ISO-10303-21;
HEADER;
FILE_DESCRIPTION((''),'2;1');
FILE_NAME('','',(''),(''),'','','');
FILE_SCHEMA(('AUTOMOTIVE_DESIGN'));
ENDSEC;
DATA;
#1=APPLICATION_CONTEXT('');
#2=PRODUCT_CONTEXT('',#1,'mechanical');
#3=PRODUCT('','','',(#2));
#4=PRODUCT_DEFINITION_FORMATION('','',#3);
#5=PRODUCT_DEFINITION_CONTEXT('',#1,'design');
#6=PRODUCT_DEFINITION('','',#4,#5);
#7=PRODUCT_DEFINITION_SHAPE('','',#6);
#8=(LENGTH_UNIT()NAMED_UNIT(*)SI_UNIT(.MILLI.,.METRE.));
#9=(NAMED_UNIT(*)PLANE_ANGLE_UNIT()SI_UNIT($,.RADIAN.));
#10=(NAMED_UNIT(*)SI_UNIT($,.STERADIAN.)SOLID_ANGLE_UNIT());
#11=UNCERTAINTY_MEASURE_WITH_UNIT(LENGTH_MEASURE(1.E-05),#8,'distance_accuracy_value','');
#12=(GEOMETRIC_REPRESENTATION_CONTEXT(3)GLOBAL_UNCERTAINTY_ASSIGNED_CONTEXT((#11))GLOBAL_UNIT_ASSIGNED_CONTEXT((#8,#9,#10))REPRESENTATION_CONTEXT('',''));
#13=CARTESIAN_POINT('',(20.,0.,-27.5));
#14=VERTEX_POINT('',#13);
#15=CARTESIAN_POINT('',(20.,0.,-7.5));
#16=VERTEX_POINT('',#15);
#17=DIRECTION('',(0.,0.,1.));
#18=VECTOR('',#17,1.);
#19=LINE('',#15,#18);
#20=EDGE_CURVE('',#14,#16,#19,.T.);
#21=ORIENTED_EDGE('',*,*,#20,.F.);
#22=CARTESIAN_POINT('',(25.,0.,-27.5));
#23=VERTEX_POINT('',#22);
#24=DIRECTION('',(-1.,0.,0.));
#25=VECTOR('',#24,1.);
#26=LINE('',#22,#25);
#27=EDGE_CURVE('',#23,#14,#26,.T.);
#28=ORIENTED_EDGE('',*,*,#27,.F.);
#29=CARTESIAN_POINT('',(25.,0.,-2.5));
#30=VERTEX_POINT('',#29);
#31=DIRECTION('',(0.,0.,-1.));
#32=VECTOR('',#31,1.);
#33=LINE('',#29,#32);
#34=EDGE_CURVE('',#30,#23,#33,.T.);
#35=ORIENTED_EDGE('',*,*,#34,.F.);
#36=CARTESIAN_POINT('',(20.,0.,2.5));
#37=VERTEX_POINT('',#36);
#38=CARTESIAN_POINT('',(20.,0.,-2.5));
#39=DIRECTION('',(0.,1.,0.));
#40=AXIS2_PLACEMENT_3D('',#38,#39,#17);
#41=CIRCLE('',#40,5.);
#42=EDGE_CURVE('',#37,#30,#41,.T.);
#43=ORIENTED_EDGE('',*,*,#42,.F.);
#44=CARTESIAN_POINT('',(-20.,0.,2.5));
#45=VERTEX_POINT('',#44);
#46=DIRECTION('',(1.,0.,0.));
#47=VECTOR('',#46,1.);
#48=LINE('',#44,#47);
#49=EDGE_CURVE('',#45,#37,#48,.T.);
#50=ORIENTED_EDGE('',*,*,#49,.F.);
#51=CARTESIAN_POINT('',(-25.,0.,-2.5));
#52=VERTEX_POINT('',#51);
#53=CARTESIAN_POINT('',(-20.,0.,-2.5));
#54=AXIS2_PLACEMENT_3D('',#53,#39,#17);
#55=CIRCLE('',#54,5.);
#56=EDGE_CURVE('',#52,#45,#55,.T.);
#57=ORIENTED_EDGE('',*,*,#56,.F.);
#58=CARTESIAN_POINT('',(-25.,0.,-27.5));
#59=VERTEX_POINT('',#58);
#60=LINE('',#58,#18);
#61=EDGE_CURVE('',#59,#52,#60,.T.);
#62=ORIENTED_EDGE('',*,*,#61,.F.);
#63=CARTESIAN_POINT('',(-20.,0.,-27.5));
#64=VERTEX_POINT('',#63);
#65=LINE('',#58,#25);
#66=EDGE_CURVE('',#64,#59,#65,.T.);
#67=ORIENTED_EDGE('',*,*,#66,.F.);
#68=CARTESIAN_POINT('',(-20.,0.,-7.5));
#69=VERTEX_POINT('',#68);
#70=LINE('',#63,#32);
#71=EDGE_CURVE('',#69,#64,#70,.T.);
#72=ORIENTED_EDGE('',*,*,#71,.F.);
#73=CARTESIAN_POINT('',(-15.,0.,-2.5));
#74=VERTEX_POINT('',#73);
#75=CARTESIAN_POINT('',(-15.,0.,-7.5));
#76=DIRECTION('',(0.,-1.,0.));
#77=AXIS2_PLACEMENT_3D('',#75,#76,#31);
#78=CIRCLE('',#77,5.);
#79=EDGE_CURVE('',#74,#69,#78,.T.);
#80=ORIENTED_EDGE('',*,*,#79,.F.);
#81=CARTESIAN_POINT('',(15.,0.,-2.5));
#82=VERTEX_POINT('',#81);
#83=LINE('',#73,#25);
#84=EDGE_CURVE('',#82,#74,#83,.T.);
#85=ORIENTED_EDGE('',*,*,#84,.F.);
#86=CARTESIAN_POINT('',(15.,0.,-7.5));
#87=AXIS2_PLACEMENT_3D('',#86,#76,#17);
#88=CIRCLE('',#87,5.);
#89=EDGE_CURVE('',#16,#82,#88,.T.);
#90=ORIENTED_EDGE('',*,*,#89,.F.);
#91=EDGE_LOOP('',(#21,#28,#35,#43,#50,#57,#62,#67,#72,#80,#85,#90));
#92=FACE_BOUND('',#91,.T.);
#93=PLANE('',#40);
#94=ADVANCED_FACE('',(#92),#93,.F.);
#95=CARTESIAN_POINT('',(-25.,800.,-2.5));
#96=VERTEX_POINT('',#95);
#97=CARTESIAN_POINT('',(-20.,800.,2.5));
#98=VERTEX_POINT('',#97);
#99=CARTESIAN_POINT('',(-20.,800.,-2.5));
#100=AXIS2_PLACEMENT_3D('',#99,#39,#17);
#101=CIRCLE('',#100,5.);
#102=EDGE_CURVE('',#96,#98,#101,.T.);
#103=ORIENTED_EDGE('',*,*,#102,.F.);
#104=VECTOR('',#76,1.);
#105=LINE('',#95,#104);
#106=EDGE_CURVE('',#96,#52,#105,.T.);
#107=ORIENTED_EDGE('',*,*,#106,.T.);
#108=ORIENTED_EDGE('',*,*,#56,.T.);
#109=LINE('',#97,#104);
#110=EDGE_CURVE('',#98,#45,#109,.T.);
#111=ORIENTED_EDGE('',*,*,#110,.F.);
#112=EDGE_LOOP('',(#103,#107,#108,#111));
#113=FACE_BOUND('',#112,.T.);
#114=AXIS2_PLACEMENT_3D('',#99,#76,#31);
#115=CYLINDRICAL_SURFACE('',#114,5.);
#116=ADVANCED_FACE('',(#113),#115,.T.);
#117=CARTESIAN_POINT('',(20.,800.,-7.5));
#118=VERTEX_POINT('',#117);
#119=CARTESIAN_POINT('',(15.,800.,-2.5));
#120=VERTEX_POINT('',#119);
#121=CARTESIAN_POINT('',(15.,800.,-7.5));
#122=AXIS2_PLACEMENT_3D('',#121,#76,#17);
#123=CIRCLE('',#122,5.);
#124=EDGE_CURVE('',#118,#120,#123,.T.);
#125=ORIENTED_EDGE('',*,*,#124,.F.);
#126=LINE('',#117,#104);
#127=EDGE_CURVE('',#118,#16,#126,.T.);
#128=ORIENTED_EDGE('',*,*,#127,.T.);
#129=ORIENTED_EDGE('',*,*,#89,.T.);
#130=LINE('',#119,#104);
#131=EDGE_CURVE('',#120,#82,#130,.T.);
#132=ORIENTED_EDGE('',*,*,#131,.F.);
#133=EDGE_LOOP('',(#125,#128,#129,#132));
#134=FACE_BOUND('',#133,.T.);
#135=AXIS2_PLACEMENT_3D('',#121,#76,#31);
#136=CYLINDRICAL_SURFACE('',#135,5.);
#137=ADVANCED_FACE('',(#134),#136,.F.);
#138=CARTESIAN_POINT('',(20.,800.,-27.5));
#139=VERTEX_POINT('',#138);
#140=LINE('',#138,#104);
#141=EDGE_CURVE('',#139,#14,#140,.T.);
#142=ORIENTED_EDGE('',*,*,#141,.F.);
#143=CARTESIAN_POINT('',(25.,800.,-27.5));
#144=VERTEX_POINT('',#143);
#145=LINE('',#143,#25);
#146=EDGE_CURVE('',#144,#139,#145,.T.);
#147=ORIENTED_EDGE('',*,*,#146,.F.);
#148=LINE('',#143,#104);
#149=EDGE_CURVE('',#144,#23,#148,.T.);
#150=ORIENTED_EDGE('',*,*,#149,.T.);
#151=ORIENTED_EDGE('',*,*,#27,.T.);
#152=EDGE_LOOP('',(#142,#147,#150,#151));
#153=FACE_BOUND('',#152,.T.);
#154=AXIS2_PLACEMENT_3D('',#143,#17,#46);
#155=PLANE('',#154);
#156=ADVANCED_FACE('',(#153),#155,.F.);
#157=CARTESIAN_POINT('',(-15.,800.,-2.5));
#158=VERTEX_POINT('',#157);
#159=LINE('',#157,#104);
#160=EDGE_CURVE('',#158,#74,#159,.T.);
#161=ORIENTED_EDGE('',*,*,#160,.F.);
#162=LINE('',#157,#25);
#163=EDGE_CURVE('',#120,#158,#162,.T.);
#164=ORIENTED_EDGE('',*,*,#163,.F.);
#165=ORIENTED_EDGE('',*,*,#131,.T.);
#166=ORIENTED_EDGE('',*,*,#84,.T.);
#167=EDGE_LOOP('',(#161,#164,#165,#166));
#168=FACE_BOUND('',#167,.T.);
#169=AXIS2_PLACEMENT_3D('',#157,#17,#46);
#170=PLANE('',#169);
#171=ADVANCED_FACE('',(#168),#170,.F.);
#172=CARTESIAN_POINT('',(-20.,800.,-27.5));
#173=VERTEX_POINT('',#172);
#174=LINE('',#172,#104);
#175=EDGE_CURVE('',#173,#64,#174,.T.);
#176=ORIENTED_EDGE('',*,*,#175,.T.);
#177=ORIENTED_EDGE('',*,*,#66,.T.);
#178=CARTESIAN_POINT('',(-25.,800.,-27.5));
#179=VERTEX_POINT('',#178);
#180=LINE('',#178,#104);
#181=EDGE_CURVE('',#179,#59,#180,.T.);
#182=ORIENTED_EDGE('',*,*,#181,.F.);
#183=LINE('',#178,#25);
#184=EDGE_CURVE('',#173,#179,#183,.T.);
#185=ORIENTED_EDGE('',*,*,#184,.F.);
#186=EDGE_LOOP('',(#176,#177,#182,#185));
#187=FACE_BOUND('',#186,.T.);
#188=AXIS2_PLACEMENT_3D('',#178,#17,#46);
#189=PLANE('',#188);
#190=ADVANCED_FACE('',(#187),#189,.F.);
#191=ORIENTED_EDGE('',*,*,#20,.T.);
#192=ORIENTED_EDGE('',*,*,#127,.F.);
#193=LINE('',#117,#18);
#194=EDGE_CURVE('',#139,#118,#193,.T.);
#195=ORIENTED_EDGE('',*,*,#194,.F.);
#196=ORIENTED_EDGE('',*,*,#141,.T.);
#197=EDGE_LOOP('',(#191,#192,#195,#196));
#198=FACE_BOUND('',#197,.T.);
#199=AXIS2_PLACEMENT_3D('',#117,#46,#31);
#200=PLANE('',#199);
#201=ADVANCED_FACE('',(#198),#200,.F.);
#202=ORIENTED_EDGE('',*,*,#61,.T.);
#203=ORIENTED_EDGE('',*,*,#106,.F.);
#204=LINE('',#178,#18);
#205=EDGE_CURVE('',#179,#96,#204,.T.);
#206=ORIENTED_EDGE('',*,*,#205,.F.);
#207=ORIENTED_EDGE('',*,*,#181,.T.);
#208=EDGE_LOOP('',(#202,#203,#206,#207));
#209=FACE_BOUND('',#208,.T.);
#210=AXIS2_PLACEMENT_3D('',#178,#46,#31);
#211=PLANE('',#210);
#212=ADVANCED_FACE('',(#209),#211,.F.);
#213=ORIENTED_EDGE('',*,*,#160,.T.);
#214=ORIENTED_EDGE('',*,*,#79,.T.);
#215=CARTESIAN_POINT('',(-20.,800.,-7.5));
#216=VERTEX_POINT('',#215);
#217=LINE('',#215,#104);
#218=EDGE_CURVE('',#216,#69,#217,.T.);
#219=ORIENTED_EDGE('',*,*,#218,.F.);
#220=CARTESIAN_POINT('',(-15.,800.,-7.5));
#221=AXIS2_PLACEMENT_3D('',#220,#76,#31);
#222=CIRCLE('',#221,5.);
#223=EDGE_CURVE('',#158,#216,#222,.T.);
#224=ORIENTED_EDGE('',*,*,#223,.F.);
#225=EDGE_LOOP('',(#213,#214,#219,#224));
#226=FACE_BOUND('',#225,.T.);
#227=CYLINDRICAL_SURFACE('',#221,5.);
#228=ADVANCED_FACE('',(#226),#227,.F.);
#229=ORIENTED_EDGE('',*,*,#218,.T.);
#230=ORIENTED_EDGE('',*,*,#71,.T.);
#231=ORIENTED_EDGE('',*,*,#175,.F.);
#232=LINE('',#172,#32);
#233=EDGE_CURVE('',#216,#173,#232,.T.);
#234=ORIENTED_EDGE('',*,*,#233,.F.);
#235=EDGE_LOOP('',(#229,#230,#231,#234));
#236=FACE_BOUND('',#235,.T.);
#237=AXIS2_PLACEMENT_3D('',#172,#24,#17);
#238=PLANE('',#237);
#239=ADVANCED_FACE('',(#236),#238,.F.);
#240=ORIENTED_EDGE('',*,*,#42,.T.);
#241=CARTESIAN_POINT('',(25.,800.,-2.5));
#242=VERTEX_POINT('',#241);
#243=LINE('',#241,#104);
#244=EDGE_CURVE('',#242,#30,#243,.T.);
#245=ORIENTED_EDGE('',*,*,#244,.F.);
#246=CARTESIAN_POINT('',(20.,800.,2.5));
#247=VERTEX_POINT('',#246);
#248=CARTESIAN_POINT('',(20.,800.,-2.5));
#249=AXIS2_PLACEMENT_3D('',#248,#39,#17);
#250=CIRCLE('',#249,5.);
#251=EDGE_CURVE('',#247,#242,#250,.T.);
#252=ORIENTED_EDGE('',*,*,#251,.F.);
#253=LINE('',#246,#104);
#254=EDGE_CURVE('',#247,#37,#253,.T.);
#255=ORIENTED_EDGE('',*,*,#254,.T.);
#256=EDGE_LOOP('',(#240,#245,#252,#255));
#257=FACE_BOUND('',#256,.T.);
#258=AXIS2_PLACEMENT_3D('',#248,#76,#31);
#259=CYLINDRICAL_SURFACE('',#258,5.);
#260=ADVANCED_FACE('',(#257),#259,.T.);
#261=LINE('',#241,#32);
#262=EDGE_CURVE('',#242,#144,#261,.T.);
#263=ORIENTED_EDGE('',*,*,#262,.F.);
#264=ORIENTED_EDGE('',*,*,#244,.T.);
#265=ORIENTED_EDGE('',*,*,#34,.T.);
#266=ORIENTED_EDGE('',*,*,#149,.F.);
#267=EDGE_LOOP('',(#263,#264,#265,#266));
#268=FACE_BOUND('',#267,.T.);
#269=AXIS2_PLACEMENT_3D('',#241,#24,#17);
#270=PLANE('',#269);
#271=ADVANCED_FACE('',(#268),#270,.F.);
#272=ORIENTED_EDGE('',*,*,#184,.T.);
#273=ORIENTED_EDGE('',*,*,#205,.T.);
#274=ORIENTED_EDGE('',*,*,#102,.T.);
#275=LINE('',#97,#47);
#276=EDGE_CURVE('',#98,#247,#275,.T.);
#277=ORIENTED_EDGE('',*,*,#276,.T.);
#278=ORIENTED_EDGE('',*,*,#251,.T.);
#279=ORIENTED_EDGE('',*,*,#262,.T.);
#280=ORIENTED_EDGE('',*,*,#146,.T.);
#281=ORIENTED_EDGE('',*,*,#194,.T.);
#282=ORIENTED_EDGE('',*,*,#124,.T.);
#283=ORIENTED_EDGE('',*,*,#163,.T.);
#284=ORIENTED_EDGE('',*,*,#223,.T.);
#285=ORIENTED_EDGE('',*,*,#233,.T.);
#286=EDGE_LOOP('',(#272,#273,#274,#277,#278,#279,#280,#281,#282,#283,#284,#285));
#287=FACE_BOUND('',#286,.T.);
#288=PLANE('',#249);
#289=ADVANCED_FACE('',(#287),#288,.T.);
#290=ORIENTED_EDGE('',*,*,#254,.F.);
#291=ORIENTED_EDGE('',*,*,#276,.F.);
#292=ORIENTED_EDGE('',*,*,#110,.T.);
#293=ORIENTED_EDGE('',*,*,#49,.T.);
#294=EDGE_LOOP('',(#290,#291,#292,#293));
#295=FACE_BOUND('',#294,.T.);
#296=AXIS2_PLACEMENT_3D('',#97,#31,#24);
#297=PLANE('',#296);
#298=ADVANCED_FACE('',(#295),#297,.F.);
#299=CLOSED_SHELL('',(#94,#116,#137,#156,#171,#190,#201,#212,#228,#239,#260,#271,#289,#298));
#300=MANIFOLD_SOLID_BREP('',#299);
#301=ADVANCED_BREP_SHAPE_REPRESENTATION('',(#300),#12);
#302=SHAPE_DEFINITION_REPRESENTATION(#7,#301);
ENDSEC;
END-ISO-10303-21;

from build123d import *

# Parameters (mm, degrees)
BOSS_EXTRUDE2_DEPTH = 800


with BuildPart() as part:
    # Sketch1 → Boss-Extrude2 (new body)
    with BuildSketch(Plane(origin=(0, 0, 0), x_dir=(1, 0, 0), z_dir=(0, 1, 0))):
        with BuildLine():
            Line((-15, 2.5), (15, 2.5))
            ThreePointArc((15, 2.5), (18.535533906, 3.964466094), (20, 7.5))
            Line((20, 7.5), (20, 27.5))
            Line((20, 27.5), (25, 27.5))
            Line((25, 27.5), (25, 2.5))
            ThreePointArc((25, 2.5), (23.535533906, -1.035533906), (20, -2.5))
            Line((20, -2.5), (-20, -2.5))
            ThreePointArc((-20, -2.5), (-23.535533906, -1.035533906), (-25, 2.5))
            Line((-25, 2.5), (-25, 27.5))
            Line((-25, 27.5), (-20, 27.5))
            Line((-20, 27.5), (-20, 7.5))
            ThreePointArc((-20, 7.5), (-18.535533906, 3.964466094), (-15, 2.5))
        make_face()
    extrude(amount=BOSS_EXTRUDE2_DEPTH)


solid = part.part
